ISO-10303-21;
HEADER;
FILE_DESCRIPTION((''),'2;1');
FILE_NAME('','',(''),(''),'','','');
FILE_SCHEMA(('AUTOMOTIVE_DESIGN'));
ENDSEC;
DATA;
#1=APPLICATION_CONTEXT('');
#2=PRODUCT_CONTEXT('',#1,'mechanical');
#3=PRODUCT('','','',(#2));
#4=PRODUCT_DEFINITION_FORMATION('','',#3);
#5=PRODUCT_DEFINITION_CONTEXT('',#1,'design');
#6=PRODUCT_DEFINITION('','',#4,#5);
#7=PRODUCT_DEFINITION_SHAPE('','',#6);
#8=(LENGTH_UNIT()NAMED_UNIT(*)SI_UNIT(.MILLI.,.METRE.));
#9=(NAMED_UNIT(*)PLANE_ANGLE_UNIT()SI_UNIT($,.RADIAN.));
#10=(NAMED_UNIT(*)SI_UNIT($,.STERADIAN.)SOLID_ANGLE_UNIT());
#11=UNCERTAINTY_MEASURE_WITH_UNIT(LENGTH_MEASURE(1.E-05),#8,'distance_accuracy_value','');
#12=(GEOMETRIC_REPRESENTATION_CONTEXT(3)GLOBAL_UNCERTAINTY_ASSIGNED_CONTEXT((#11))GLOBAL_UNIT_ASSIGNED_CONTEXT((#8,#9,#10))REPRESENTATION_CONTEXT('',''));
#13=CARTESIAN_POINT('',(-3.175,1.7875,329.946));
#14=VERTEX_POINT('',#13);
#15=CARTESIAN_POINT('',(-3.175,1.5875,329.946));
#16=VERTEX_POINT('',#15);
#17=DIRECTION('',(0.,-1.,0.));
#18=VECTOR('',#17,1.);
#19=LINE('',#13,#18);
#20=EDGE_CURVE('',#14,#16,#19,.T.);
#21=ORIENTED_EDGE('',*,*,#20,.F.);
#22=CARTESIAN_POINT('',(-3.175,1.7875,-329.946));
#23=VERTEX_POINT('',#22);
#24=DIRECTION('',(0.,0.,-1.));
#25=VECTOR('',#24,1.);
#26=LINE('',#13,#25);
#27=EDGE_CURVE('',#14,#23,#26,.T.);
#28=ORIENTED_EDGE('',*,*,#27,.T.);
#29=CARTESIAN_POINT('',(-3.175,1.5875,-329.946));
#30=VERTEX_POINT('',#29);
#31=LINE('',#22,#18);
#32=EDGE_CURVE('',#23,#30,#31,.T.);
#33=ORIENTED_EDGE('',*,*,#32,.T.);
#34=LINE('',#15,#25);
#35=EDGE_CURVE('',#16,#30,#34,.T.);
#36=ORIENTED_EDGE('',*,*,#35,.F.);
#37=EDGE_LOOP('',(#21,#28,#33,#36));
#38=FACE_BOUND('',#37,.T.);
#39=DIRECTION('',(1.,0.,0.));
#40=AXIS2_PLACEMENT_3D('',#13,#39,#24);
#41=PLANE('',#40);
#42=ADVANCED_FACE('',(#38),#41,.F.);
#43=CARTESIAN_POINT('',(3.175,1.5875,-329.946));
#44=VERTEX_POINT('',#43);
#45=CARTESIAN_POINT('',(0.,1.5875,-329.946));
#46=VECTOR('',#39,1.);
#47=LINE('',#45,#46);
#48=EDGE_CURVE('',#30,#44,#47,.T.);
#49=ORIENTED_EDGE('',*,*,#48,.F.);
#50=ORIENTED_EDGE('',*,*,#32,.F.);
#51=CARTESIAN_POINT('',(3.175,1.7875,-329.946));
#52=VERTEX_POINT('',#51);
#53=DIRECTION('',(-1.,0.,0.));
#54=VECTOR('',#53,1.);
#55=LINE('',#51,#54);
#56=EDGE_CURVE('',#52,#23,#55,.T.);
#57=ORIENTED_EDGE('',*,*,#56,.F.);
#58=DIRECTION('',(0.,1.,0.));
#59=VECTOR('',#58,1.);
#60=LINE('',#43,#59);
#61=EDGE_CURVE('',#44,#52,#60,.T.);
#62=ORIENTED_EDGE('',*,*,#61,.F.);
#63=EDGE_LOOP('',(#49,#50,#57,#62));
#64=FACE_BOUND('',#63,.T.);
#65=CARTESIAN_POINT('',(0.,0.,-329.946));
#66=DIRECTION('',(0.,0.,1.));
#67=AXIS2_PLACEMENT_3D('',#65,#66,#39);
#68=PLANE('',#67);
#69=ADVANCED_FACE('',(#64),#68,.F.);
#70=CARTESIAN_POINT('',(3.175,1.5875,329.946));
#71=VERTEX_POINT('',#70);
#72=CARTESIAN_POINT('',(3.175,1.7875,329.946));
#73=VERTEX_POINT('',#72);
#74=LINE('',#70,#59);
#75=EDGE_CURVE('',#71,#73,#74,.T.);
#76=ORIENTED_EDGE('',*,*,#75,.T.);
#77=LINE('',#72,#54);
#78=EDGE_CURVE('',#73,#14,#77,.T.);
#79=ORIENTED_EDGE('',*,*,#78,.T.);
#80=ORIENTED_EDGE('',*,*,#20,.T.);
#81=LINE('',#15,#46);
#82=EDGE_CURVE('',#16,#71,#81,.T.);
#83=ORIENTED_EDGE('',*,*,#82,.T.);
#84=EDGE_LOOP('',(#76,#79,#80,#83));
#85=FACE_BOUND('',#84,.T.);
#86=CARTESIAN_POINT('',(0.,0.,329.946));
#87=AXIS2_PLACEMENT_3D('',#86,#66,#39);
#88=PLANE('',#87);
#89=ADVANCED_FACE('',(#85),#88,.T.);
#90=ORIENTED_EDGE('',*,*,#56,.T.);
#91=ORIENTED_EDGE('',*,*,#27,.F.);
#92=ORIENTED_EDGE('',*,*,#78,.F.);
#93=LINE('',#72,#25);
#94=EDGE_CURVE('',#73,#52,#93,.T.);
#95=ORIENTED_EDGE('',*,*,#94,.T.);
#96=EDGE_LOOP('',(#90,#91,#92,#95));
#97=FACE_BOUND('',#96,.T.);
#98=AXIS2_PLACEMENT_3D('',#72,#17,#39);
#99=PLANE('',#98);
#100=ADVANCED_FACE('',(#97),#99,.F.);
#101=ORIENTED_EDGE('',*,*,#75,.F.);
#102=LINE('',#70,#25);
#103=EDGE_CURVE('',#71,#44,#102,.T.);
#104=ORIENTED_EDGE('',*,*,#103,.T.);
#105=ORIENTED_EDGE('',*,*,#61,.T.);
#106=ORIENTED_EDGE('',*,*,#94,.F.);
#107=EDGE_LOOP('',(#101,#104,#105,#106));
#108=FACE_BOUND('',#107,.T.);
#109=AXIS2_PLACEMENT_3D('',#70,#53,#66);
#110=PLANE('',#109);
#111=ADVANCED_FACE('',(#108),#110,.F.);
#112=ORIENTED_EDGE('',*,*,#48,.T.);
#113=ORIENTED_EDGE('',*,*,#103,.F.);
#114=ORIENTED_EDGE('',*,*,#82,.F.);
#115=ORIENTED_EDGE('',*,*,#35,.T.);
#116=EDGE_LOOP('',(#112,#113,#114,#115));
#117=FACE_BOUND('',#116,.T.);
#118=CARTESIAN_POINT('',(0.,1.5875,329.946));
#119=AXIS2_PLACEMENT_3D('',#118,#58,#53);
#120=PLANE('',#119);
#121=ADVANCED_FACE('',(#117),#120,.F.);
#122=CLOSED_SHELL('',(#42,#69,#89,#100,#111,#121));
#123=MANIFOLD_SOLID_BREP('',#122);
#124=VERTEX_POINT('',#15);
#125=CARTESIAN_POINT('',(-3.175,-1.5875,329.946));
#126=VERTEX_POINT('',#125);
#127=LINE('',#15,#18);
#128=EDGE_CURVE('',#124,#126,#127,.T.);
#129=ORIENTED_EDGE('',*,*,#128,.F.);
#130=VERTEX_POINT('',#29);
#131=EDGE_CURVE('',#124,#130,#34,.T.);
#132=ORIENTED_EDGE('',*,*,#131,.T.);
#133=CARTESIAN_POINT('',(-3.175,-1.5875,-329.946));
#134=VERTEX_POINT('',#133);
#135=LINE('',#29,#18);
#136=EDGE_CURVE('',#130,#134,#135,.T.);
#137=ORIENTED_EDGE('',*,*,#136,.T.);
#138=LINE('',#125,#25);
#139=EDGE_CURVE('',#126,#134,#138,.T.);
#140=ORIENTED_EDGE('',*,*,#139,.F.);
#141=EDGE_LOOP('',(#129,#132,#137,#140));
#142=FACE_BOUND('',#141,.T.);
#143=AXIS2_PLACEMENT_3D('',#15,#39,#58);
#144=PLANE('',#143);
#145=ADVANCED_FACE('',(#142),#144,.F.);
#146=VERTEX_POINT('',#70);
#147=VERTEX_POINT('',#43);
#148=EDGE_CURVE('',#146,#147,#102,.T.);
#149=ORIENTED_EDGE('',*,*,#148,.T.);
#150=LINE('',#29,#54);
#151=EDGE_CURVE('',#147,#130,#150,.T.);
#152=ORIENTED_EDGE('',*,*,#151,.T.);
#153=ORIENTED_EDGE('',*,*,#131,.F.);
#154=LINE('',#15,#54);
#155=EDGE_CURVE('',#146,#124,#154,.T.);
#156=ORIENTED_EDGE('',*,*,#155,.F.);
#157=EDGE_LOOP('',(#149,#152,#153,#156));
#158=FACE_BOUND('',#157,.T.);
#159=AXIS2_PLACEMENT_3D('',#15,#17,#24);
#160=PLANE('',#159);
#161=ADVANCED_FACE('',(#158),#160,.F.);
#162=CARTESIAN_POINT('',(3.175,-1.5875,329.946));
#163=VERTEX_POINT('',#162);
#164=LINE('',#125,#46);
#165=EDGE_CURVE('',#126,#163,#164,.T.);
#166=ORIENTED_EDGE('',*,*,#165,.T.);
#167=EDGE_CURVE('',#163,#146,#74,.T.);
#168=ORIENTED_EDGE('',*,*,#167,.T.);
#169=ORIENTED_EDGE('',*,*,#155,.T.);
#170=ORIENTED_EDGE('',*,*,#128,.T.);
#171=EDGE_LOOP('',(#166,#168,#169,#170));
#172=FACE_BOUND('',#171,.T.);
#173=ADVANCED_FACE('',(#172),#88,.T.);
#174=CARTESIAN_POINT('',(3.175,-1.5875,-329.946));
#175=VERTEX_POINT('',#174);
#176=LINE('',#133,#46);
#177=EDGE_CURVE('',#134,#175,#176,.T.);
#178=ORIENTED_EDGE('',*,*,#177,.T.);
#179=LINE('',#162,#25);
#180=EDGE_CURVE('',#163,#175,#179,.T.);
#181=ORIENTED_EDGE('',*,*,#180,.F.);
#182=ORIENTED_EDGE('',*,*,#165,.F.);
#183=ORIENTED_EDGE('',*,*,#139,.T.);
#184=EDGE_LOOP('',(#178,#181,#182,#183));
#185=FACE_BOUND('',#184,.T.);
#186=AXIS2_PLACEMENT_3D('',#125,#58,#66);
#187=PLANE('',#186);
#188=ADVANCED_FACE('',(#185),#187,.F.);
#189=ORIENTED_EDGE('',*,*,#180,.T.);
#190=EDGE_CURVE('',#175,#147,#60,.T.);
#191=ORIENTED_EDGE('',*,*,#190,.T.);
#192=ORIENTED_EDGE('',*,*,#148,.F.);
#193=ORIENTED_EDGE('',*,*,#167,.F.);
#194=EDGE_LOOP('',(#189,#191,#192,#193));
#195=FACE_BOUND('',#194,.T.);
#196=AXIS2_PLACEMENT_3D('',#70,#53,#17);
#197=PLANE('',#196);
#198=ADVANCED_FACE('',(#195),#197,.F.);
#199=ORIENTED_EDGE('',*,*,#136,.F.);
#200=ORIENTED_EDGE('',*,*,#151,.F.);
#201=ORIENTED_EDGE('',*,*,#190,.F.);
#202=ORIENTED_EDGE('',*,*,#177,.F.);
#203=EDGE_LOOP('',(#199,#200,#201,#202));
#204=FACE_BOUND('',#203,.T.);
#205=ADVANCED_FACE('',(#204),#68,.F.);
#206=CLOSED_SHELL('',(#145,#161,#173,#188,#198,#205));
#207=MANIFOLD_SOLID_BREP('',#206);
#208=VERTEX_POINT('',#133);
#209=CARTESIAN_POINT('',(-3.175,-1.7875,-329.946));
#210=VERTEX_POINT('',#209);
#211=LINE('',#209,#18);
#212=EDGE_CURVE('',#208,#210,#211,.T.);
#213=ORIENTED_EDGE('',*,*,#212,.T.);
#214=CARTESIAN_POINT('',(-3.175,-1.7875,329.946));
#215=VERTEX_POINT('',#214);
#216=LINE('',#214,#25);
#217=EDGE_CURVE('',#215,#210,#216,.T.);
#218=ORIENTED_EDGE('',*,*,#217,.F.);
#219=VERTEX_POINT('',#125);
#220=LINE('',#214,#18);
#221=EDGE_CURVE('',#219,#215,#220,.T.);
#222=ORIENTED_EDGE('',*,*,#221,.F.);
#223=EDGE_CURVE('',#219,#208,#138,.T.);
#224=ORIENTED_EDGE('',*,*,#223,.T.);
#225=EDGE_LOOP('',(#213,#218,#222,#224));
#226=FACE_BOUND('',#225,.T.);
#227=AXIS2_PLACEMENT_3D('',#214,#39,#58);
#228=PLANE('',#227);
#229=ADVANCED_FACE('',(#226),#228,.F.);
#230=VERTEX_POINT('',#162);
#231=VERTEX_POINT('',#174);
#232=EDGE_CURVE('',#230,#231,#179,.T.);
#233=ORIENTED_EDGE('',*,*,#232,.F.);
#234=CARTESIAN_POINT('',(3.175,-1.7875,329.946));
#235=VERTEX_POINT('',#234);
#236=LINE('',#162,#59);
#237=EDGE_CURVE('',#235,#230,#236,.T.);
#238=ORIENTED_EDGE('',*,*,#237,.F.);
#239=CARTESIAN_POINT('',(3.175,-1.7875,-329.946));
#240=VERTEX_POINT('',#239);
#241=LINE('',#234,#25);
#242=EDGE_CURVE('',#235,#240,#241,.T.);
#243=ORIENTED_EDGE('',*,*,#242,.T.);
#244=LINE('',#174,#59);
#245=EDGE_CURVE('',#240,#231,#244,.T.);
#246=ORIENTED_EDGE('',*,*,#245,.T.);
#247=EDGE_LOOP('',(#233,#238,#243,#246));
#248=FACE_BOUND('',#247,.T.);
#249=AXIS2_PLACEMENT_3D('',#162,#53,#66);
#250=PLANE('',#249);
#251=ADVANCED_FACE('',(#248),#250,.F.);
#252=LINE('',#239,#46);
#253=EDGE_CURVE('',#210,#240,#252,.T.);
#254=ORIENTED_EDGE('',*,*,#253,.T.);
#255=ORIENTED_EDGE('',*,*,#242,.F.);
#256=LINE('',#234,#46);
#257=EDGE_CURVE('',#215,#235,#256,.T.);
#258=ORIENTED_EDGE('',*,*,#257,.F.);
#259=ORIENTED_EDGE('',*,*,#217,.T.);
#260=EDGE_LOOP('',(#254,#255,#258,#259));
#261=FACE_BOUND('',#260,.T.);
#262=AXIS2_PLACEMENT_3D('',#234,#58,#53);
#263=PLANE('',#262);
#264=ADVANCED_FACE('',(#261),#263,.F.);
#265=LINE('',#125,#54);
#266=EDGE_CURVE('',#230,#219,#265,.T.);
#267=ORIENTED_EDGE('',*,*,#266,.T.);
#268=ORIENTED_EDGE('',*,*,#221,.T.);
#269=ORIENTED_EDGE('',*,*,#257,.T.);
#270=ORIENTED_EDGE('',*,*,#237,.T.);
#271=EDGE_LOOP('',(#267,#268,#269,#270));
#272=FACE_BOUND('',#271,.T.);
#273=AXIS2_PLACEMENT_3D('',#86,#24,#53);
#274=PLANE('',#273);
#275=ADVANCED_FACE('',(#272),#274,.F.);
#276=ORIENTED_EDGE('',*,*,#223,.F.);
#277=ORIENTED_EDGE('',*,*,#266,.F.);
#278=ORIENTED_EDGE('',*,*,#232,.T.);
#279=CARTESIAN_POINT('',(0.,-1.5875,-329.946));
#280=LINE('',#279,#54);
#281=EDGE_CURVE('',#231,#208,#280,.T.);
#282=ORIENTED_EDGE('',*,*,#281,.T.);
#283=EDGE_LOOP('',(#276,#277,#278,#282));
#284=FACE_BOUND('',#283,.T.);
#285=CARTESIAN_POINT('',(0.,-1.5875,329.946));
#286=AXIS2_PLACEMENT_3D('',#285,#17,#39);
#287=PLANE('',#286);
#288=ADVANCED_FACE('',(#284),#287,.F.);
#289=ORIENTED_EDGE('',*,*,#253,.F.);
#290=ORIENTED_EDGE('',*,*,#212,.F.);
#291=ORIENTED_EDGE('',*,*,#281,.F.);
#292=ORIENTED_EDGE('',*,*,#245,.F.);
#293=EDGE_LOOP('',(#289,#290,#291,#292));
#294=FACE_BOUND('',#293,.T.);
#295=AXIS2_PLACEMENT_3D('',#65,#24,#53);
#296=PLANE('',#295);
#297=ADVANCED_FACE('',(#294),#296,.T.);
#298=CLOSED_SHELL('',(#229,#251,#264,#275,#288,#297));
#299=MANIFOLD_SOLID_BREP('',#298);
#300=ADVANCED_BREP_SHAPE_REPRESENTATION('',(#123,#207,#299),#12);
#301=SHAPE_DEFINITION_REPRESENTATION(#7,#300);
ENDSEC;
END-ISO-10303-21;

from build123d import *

# Parameters (mm, degrees)
CORE_SKETCH_W  = 6.35
CORE_SKETCH_H  = 3.175
CORE_DEPTH     = 329.946
FLANGE_DEPTH   = 329.946
FLANGE_2_DEPTH = 329.946


with BuildPart() as part:
    # Core Sketch → Core (new, symmetric)
    with BuildSketch(Plane.XY):
        Rectangle(CORE_SKETCH_W, CORE_SKETCH_H)
    extrude(amount=CORE_DEPTH, both=True)


with BuildPart() as body_2:
    # Flange Sketch → Flange (new, symmetric)
    with BuildSketch(Plane.XY):
        Polygon((0, 1.5875), (3.175, 1.5875), (3.175, 1.787500108), (-3.175, 1.787500108), (-3.175, 1.5875), align=None)
    extrude(amount=FLANGE_DEPTH, both=True)


with BuildPart() as body_3:
    # Flange Sketch → Flange 2 (new, symmetric)
    with BuildSketch(Plane.XY):
        Polygon((0, -1.5875), (3.175, -1.5875), (3.175, -1.787500108), (-3.175, -1.787500108), (-3.175, -1.5875), align=None)
    extrude(amount=FLANGE_2_DEPTH, both=True)


solid = Compound([part.part, body_2.part, body_3.part])
